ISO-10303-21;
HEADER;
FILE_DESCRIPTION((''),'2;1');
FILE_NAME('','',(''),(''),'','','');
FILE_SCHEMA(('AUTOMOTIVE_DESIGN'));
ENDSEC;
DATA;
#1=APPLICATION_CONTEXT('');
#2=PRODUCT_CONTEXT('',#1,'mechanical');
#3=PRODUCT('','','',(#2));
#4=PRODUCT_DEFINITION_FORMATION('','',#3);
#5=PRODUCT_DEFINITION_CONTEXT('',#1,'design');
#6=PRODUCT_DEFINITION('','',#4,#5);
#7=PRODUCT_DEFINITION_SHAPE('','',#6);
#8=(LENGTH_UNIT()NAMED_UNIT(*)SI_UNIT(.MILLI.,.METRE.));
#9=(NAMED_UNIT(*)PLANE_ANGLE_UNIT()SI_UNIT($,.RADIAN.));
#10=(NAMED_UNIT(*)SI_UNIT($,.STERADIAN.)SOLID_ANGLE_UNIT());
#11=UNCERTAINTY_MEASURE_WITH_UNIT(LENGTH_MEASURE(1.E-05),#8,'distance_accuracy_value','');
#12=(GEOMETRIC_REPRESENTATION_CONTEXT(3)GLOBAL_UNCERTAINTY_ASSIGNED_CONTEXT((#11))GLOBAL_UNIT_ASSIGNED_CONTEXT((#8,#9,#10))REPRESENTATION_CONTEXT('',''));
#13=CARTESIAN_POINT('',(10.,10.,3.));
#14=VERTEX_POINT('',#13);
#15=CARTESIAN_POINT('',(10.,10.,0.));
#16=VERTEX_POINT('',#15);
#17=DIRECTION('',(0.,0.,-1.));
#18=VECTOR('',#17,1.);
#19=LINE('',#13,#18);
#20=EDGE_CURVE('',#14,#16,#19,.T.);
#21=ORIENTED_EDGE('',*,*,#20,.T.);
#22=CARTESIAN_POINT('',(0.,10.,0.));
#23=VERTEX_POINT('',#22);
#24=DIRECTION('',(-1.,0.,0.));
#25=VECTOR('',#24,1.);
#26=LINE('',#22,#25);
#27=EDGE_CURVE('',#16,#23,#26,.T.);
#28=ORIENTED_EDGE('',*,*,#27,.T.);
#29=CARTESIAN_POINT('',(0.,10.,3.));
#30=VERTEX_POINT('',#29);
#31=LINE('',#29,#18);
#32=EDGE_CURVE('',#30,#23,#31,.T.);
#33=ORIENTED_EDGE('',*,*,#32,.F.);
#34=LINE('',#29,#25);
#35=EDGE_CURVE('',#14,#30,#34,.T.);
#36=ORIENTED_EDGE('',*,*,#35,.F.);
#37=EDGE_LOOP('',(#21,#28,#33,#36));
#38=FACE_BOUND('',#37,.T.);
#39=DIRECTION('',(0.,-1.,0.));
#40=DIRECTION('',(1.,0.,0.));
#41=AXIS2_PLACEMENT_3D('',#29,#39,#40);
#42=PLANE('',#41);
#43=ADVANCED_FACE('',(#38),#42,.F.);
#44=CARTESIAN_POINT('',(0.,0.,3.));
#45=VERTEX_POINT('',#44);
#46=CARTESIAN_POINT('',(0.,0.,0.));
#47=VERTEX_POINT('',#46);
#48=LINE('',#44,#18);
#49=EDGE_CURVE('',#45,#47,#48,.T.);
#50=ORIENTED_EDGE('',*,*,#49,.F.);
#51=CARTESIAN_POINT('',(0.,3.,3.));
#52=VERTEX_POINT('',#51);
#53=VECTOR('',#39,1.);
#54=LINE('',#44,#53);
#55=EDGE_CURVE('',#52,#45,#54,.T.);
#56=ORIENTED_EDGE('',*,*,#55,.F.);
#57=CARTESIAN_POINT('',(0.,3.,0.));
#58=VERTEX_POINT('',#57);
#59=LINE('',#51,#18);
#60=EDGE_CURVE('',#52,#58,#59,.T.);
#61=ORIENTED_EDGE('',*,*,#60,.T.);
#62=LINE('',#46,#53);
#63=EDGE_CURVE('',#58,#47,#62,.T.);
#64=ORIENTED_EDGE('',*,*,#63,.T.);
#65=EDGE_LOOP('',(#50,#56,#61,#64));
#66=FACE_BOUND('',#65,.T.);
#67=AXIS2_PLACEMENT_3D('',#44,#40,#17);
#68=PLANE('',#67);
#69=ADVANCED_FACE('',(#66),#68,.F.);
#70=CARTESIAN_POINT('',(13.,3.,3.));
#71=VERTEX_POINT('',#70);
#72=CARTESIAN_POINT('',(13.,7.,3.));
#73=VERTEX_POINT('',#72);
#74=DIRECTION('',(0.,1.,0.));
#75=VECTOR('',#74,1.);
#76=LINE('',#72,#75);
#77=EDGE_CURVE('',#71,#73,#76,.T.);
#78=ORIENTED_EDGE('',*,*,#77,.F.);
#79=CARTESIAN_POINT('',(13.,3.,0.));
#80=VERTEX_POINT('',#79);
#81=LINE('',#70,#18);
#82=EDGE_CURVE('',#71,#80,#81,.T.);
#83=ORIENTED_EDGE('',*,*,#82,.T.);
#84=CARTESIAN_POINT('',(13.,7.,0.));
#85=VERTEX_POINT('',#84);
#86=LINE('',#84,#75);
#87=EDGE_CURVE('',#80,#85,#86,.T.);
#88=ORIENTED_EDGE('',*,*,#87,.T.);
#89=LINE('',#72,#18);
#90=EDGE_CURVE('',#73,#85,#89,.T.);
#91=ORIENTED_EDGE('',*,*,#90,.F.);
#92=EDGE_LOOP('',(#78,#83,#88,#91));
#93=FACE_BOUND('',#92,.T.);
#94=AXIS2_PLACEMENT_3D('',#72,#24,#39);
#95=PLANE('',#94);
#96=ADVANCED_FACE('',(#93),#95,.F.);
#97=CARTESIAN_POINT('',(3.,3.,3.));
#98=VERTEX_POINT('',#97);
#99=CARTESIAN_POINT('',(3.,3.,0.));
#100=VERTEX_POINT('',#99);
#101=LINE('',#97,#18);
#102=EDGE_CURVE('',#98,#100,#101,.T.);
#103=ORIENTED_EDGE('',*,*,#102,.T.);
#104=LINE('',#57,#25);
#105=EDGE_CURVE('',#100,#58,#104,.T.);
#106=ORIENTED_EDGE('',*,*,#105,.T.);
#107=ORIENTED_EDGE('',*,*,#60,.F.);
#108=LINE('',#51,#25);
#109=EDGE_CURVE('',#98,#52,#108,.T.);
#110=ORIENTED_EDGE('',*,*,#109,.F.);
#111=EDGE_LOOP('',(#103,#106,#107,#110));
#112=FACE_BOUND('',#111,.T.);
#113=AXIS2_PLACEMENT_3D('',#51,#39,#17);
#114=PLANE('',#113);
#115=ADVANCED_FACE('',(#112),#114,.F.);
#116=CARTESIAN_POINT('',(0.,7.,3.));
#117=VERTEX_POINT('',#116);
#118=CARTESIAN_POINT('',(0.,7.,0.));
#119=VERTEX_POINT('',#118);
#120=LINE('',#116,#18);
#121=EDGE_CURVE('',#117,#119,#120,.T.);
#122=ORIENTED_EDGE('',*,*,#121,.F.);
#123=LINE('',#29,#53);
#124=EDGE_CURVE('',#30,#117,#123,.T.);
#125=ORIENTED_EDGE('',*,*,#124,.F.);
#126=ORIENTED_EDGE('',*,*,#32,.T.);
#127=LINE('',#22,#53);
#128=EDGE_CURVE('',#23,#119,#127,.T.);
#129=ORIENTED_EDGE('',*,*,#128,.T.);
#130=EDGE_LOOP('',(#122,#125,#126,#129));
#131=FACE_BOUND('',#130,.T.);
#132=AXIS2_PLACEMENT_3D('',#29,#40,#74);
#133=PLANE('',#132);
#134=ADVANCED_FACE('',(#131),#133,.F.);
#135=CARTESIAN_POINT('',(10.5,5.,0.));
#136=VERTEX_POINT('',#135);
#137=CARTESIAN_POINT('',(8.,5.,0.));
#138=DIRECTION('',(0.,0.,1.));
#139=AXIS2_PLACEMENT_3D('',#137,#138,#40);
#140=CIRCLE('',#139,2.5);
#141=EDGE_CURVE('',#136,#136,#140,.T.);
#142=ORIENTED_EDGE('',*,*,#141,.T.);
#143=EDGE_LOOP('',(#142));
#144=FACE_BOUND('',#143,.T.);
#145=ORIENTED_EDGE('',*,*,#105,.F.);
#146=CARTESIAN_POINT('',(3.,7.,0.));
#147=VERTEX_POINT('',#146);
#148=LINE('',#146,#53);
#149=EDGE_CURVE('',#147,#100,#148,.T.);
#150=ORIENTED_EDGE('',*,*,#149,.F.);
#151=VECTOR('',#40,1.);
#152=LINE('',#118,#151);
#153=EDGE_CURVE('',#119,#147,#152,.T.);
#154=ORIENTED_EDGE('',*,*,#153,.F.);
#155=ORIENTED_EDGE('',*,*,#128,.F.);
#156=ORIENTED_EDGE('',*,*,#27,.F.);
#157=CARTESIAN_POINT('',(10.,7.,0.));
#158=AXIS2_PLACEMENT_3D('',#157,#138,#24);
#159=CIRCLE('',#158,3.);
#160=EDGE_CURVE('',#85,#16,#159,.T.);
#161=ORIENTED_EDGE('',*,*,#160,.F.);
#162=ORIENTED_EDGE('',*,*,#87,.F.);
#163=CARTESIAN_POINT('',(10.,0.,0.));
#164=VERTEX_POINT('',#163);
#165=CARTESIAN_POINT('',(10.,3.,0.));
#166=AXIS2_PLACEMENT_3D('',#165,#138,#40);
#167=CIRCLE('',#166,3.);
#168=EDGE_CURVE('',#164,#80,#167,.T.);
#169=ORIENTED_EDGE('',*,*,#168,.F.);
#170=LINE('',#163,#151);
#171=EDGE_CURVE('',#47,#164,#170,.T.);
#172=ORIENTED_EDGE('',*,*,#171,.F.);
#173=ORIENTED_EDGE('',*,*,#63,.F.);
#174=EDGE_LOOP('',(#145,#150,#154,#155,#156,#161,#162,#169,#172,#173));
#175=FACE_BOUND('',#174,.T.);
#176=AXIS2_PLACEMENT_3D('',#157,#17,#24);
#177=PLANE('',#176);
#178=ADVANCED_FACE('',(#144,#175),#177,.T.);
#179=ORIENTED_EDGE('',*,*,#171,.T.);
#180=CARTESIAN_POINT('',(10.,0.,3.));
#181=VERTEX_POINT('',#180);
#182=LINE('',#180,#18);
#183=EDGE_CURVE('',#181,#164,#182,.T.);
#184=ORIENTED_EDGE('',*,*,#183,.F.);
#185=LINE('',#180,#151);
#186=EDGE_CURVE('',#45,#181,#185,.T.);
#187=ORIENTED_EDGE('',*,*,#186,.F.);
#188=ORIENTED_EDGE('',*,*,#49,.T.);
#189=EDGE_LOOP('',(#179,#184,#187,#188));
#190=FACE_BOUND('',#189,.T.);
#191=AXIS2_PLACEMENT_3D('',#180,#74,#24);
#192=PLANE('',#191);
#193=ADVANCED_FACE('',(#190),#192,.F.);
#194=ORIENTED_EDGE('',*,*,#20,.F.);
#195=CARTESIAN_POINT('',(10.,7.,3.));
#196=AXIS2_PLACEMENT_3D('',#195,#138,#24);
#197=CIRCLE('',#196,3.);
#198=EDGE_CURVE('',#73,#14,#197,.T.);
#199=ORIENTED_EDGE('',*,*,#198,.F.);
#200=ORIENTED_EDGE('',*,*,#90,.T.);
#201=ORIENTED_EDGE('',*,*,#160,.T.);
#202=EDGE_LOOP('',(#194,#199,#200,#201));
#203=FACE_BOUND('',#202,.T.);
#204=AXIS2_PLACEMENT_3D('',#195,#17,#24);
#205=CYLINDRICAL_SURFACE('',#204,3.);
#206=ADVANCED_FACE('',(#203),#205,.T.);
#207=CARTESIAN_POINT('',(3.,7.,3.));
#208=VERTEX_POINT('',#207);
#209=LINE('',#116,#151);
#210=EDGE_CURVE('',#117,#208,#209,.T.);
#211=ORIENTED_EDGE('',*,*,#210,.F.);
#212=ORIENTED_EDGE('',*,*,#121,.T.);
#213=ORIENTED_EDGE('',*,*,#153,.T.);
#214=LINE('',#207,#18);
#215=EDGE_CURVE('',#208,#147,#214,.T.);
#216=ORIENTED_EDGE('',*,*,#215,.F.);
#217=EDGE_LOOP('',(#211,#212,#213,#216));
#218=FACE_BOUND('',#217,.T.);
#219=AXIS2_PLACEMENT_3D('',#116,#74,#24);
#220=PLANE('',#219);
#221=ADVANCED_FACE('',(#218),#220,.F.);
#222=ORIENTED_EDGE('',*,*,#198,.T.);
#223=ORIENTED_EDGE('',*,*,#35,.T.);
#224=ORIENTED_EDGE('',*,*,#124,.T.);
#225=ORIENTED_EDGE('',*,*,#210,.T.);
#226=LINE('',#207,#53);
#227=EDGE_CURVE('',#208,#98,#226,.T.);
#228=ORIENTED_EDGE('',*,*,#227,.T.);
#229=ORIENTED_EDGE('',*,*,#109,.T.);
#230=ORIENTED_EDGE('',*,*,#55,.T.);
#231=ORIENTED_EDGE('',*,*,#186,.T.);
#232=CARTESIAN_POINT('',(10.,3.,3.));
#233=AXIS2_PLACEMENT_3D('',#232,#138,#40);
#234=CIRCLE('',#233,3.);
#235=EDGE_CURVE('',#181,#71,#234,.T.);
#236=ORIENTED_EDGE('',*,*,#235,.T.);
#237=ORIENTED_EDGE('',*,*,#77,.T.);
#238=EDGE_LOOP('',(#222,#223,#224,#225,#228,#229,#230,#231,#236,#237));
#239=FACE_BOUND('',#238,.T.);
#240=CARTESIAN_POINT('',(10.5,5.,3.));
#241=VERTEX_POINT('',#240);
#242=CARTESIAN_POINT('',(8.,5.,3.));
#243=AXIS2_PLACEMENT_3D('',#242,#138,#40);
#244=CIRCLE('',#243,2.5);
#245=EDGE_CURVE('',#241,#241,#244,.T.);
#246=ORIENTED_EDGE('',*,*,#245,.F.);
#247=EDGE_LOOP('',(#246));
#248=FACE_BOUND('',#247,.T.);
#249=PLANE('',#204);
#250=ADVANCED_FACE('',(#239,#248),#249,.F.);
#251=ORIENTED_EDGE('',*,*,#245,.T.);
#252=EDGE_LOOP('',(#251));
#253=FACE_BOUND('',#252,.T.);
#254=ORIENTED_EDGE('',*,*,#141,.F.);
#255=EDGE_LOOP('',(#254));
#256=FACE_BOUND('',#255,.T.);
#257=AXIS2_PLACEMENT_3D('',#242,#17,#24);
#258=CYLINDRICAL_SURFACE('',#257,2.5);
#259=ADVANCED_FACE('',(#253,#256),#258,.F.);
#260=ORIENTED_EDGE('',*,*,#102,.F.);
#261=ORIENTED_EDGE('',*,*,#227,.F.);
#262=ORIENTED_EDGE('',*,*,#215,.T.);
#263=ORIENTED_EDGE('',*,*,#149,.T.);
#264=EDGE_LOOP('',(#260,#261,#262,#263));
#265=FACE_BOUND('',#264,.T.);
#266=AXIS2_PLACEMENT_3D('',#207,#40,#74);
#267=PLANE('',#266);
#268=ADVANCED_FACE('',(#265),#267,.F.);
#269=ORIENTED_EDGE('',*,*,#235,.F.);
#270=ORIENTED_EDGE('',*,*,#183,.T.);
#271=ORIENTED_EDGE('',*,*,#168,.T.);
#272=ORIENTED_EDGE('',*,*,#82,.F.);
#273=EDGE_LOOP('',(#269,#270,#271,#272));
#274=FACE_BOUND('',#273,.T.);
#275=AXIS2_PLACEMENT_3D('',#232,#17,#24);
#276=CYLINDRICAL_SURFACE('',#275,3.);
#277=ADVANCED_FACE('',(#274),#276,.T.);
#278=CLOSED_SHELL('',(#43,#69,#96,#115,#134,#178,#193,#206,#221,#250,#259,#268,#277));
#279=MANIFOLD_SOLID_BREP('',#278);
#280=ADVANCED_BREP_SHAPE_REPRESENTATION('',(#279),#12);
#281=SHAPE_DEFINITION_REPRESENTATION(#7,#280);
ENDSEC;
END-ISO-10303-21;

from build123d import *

# Parameters (mm, degrees)
SKETCH1_R           = 2.5
BOSS_EXTRUDE1_DEPTH = 3


with BuildPart() as part:
    # Sketch1 → Boss-Extrude1 (new body)
    with BuildSketch(Plane.XY):
        with BuildLine():
            Line((0, 10), (10, 10))
            ThreePointArc((10, 10), (12.121320344, 9.121320344), (13, 7))
            Line((13, 7), (13, 3))
            ThreePointArc((13, 3), (12.121320344, 0.878679656), (10, 0))
            Line((10, 0), (0, 0))
            Line((0, 0), (0, 3))
            Line((0, 3), (3, 3))
            Line((3, 3), (3, 7))
            Line((3, 7), (0, 7))
            Line((0, 7), (0, 10))
        make_face()
        with Locations((8, 5)):
            Circle(SKETCH1_R, mode=Mode.SUBTRACT)
    extrude(amount=BOSS_EXTRUDE1_DEPTH)


solid = part.part
